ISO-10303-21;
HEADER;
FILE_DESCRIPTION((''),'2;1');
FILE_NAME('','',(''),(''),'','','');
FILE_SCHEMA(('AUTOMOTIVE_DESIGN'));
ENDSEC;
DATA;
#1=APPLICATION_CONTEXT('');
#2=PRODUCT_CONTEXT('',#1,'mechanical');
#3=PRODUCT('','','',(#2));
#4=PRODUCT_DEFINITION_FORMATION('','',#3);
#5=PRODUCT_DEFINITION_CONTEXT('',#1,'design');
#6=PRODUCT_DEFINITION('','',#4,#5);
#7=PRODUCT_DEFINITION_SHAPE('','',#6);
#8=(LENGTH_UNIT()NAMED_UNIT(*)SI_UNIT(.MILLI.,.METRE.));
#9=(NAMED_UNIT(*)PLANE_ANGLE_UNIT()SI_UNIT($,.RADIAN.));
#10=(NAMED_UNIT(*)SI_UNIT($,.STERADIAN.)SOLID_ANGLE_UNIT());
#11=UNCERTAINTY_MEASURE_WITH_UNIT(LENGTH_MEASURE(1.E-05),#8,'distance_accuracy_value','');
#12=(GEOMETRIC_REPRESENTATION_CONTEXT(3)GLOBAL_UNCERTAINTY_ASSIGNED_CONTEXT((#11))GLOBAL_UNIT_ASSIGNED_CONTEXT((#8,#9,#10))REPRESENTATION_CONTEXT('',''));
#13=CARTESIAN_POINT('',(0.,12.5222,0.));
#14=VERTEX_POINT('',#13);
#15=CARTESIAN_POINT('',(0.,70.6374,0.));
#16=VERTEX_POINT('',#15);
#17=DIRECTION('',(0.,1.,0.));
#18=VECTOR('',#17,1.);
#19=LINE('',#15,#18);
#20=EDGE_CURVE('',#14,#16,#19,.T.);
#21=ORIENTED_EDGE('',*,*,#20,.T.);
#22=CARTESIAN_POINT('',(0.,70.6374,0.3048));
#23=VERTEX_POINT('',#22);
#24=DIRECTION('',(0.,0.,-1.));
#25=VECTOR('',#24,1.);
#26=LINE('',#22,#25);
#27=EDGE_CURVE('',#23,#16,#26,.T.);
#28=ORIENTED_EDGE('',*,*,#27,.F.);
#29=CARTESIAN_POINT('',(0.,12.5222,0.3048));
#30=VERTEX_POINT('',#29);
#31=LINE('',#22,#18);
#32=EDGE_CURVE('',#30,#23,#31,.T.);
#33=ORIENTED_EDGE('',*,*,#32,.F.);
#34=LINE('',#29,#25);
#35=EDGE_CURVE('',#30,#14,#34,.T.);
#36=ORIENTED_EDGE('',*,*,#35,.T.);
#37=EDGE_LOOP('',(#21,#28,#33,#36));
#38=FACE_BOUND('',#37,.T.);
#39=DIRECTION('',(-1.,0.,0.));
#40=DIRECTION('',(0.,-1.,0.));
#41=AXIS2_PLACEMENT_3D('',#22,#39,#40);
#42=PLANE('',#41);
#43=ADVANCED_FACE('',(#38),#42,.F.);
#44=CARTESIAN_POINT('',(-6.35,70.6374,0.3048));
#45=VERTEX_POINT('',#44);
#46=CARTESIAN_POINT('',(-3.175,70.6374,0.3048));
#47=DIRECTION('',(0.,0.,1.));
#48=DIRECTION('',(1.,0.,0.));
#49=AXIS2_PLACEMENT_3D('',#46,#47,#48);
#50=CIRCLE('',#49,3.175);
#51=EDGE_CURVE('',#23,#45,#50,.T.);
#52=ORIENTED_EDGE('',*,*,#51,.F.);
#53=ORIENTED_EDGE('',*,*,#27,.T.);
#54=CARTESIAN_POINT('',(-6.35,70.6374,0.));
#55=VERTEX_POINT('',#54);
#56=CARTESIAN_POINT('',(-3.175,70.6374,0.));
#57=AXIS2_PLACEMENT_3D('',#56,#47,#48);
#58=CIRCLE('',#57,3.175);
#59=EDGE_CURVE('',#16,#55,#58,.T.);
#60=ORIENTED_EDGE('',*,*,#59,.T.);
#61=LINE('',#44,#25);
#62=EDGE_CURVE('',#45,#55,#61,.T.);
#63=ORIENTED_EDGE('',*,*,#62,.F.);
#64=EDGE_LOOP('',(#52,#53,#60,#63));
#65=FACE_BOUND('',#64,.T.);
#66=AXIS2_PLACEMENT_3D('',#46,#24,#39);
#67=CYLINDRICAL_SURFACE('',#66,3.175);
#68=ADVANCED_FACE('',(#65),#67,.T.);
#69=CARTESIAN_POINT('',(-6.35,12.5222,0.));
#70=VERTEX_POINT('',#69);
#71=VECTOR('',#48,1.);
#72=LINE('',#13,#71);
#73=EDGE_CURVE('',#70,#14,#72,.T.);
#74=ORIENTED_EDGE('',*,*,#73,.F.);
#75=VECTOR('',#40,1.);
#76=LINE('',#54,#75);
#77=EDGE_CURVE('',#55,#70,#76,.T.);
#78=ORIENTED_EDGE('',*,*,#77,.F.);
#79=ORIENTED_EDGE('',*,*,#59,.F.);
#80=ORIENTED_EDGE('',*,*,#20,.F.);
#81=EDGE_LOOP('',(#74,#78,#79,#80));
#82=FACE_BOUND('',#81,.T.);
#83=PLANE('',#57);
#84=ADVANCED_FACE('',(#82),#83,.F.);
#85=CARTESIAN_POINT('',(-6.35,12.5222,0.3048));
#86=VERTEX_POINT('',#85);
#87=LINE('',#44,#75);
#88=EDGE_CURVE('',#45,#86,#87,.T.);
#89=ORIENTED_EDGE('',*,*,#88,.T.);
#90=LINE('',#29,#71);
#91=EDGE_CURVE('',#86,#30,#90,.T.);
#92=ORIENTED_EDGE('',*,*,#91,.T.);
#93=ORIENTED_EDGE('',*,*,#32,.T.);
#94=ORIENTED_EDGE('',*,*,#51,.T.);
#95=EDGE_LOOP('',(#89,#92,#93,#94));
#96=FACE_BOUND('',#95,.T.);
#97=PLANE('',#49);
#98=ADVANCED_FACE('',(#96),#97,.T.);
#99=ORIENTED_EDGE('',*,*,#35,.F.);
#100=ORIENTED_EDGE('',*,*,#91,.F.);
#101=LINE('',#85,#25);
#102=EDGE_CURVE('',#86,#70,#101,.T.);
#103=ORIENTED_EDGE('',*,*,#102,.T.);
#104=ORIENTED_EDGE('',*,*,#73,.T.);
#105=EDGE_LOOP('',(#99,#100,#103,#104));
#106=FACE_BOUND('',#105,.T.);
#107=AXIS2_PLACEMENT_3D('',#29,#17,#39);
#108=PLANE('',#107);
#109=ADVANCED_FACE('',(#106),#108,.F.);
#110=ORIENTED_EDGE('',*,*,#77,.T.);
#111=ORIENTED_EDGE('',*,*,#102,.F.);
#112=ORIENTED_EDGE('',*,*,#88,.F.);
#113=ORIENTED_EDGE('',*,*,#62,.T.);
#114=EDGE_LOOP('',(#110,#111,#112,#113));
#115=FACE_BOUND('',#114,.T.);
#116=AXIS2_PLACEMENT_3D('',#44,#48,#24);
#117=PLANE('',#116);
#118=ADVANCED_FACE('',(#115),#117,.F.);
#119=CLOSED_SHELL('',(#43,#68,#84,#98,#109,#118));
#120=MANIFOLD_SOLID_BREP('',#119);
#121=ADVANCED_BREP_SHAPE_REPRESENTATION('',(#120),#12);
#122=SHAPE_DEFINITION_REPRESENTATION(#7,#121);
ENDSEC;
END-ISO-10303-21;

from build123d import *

# Parameters (mm, degrees)
BOSS_EXTRUDE1_DEPTH = 0.3048


with BuildPart() as part:
    # Sketch2 → Boss-Extrude1 (new body)
    with BuildSketch(Plane.XY):
        with BuildLine():
            Line((0, 70.6374), (0, 12.5222))
            Line((0, 12.5222), (-6.35, 12.5222))
            Line((-6.35, 12.5222), (-6.35, 70.6374))
            ThreePointArc((-6.35, 70.6374), (-3.175, 73.8124), (0, 70.6374))
        make_face()
    extrude(amount=BOSS_EXTRUDE1_DEPTH)


solid = part.part
